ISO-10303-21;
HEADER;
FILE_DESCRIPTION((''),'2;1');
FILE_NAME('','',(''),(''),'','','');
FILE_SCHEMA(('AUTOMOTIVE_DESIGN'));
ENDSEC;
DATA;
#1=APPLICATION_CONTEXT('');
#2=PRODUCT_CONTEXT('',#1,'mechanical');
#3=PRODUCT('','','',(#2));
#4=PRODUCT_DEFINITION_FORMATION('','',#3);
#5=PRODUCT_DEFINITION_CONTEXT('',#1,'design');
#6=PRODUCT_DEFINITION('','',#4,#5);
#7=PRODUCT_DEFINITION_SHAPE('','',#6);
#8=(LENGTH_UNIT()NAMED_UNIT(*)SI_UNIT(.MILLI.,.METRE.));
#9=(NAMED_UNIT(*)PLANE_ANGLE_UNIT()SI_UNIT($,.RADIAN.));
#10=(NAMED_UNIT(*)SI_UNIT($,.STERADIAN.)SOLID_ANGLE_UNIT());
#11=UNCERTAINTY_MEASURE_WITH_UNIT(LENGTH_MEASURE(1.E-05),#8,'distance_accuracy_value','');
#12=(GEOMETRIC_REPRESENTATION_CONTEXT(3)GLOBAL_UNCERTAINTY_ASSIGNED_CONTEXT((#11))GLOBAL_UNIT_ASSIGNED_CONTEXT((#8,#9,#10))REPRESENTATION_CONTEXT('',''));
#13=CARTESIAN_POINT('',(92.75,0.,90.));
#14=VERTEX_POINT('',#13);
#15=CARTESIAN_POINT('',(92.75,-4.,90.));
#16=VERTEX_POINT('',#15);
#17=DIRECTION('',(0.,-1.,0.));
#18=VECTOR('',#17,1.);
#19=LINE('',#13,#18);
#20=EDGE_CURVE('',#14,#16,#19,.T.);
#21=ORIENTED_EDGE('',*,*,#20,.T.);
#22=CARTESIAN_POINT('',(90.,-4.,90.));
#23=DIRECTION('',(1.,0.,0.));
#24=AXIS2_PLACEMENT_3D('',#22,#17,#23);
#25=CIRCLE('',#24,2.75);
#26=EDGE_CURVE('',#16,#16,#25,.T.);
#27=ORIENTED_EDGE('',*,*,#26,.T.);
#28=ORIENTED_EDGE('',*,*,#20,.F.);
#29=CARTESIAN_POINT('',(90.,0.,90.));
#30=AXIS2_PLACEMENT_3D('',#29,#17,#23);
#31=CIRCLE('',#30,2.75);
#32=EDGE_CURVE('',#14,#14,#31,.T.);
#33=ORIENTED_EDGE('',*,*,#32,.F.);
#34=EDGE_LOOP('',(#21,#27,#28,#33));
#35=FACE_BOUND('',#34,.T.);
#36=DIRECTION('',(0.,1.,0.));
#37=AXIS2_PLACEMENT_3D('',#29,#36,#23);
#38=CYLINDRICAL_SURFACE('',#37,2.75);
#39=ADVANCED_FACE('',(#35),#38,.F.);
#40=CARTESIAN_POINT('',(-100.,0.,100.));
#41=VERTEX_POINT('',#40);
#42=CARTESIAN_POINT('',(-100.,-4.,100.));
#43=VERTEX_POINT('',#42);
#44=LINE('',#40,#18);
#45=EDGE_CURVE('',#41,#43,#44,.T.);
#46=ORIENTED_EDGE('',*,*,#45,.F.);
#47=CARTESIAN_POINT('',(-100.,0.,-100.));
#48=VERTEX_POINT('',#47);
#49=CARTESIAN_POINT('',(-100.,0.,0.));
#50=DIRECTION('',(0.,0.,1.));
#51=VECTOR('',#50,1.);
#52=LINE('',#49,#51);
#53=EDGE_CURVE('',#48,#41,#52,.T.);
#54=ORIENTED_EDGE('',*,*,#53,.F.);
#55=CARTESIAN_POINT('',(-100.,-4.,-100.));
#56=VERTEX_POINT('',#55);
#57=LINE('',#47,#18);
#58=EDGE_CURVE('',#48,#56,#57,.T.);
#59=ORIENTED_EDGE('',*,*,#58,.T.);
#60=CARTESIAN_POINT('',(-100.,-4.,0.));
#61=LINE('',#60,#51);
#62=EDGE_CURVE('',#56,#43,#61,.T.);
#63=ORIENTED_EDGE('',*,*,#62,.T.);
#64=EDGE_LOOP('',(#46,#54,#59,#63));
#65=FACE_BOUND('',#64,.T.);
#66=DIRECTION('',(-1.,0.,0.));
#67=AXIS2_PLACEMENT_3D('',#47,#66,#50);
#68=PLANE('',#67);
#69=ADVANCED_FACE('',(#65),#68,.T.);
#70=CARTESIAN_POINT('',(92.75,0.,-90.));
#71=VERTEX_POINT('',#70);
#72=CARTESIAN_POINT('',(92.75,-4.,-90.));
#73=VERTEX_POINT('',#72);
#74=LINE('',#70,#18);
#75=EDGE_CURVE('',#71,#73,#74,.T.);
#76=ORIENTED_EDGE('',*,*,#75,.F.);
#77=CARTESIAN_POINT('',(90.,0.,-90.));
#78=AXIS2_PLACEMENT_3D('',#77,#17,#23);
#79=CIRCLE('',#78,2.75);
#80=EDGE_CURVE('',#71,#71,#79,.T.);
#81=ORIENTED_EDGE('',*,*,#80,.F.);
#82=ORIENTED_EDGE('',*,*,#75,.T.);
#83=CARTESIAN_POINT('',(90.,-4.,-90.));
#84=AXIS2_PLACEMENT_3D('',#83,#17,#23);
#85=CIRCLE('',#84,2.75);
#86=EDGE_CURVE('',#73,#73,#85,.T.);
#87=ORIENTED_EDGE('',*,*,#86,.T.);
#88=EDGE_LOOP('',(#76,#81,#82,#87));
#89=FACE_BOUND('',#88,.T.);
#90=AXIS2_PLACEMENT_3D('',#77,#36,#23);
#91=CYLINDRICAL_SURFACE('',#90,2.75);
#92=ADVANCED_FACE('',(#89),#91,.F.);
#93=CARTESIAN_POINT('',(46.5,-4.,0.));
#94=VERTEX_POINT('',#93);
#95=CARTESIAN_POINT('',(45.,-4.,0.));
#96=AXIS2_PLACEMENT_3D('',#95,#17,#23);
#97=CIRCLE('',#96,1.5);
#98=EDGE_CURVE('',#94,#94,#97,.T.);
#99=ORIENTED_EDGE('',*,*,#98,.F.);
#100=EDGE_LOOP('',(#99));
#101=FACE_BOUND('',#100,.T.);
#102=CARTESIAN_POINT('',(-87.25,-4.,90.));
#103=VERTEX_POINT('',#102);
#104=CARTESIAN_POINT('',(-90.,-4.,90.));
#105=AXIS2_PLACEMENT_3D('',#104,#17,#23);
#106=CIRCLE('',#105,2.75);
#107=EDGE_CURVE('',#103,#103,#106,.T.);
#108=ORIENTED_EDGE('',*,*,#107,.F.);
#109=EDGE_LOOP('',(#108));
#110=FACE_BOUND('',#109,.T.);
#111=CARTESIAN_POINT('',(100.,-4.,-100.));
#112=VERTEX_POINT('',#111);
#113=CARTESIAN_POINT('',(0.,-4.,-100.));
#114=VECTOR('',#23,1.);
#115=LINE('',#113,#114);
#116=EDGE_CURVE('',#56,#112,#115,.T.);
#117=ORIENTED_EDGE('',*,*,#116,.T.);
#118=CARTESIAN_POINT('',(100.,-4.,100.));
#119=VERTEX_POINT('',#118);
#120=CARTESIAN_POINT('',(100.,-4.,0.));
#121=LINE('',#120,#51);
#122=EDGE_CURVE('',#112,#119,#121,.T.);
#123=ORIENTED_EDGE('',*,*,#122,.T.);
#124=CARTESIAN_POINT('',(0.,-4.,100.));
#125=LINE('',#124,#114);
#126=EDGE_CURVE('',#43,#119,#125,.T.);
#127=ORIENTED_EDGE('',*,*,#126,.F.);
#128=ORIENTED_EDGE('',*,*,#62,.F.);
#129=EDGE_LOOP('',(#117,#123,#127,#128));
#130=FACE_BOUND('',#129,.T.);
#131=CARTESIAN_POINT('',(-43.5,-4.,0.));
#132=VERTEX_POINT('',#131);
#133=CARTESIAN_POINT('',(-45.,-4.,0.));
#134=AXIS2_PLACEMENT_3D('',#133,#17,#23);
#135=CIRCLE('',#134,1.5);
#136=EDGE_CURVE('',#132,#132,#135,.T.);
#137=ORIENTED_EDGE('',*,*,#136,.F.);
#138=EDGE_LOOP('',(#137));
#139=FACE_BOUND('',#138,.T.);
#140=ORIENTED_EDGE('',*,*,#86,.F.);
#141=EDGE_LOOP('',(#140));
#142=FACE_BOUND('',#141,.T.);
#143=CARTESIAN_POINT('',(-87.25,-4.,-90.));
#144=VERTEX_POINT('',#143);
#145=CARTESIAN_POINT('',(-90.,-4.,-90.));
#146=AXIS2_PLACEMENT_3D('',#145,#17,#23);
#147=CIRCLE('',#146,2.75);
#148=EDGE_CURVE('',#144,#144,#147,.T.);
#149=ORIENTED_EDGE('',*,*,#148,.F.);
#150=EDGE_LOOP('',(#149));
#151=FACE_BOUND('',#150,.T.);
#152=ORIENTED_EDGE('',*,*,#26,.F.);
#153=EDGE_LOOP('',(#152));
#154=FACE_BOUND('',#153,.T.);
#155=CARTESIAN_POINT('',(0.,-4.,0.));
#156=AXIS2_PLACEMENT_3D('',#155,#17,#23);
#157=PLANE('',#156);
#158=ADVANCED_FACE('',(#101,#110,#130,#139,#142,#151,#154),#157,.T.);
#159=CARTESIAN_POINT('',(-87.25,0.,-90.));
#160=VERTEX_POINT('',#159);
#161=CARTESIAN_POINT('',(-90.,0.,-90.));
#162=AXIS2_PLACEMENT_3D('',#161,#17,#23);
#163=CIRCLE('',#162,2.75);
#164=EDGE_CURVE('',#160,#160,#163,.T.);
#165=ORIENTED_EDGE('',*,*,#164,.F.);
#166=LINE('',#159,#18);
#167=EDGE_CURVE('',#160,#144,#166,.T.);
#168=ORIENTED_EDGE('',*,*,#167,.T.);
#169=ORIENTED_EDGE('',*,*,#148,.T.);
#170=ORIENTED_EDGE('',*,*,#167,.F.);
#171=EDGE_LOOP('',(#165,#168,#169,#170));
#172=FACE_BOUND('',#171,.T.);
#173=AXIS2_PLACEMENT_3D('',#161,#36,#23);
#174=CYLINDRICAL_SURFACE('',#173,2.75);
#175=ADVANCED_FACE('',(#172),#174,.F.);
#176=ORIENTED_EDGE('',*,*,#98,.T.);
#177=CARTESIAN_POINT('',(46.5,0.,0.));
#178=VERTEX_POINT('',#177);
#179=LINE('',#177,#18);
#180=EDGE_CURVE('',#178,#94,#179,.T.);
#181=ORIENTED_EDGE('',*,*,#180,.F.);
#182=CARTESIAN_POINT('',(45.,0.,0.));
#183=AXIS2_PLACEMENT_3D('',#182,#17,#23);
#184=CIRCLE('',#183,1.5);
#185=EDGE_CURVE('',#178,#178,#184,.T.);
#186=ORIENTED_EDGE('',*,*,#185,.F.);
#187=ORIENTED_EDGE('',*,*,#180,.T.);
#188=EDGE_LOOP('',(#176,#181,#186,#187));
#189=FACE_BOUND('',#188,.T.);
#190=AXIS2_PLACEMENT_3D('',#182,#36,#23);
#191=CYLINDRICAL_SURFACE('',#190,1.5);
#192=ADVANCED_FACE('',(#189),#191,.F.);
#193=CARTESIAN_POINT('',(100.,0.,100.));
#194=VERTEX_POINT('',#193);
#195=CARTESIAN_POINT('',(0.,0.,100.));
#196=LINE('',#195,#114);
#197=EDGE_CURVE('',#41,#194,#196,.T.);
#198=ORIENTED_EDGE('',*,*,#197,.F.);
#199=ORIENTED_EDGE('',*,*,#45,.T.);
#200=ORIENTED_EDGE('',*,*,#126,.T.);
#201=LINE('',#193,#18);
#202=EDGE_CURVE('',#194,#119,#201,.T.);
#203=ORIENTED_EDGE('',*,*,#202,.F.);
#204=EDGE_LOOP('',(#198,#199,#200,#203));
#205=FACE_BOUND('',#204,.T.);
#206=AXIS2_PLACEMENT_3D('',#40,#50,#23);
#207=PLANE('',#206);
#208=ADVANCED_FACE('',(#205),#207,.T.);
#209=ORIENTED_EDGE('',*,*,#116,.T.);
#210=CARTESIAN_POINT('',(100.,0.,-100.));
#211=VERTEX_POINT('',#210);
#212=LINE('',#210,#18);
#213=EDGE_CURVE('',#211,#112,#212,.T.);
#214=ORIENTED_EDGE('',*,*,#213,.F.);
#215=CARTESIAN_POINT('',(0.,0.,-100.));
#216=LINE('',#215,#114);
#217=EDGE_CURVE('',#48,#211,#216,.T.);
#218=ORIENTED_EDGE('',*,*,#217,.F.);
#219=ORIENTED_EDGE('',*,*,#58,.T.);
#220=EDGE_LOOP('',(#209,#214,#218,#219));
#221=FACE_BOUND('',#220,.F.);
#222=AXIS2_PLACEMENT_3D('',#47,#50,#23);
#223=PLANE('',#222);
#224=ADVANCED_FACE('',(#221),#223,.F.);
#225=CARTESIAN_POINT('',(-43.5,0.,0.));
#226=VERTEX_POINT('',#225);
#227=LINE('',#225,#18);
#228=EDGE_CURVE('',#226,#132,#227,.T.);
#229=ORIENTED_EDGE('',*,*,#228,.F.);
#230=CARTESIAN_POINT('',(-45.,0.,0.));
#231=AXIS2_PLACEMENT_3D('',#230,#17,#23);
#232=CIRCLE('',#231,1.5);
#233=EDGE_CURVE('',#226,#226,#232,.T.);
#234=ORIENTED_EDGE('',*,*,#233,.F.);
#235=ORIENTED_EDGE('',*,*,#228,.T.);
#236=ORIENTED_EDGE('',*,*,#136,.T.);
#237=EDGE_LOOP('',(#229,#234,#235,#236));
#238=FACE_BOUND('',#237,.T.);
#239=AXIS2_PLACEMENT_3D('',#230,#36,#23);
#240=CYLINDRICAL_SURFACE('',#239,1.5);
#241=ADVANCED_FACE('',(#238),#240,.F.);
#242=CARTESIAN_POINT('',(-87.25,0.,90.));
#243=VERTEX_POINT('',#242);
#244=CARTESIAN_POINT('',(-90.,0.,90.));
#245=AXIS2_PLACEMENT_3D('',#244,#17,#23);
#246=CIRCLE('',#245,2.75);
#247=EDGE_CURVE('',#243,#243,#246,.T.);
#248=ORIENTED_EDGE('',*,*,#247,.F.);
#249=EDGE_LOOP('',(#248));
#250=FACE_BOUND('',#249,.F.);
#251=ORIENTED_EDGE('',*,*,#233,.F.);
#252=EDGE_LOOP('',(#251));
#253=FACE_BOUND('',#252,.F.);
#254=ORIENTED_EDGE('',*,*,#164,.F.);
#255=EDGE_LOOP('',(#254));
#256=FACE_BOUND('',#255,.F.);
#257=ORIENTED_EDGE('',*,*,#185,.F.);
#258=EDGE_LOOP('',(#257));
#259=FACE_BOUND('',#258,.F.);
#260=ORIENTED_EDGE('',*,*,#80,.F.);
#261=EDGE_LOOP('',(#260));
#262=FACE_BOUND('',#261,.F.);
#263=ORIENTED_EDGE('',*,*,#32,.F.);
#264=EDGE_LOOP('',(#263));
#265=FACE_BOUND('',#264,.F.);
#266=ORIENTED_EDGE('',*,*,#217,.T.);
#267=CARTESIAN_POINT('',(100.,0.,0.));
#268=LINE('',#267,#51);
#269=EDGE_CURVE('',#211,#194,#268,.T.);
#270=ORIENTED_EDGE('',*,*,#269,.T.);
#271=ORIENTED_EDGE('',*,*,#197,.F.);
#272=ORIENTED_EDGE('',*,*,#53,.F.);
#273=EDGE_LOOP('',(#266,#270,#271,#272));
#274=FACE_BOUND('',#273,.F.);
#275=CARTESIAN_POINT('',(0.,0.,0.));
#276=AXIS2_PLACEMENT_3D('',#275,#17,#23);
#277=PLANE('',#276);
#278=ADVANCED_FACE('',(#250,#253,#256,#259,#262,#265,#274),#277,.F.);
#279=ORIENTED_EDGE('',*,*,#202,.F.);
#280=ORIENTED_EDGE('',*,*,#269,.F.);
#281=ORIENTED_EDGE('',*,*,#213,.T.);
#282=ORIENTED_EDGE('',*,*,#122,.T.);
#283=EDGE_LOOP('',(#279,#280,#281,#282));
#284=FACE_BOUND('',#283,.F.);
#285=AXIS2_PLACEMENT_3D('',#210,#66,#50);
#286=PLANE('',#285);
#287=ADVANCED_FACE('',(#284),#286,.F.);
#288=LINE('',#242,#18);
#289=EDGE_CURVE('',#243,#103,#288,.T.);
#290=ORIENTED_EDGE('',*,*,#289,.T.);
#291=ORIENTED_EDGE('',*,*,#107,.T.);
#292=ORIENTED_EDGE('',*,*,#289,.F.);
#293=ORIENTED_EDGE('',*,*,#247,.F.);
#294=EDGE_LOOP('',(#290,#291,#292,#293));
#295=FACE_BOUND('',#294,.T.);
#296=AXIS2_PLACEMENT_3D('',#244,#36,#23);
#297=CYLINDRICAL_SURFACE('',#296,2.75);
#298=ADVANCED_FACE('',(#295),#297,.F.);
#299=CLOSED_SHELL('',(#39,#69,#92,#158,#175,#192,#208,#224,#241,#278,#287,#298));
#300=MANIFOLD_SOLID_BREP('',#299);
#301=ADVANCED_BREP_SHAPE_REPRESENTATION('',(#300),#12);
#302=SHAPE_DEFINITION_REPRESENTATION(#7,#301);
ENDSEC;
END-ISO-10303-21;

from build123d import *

# Parameters (mm, degrees)
F0_W     = 200
F0_H     = 200
F0_R     = 2.75
F0_R_2   = 1.5
F1_DEPTH = 4


with BuildPart() as f1:
    # F0 (on Front) → F1 (new body)
    with BuildSketch(Plane.XZ):
        Rectangle(F0_W, F0_H)
        with Locations((-90, -90)):
            Circle(F0_R, mode=Mode.SUBTRACT)
        with Locations((90, -90)):
            Circle(F0_R, mode=Mode.SUBTRACT)
        with Locations((-45, 0)):
            Circle(F0_R_2, mode=Mode.SUBTRACT)
        with Locations((-90, 90)):
            Circle(F0_R, mode=Mode.SUBTRACT)
        with Locations((45, 0)):
            Circle(F0_R_2, mode=Mode.SUBTRACT)
        with Locations((90, 90)):
            Circle(F0_R, mode=Mode.SUBTRACT)
    extrude(amount=F1_DEPTH)


solid = f1.part
